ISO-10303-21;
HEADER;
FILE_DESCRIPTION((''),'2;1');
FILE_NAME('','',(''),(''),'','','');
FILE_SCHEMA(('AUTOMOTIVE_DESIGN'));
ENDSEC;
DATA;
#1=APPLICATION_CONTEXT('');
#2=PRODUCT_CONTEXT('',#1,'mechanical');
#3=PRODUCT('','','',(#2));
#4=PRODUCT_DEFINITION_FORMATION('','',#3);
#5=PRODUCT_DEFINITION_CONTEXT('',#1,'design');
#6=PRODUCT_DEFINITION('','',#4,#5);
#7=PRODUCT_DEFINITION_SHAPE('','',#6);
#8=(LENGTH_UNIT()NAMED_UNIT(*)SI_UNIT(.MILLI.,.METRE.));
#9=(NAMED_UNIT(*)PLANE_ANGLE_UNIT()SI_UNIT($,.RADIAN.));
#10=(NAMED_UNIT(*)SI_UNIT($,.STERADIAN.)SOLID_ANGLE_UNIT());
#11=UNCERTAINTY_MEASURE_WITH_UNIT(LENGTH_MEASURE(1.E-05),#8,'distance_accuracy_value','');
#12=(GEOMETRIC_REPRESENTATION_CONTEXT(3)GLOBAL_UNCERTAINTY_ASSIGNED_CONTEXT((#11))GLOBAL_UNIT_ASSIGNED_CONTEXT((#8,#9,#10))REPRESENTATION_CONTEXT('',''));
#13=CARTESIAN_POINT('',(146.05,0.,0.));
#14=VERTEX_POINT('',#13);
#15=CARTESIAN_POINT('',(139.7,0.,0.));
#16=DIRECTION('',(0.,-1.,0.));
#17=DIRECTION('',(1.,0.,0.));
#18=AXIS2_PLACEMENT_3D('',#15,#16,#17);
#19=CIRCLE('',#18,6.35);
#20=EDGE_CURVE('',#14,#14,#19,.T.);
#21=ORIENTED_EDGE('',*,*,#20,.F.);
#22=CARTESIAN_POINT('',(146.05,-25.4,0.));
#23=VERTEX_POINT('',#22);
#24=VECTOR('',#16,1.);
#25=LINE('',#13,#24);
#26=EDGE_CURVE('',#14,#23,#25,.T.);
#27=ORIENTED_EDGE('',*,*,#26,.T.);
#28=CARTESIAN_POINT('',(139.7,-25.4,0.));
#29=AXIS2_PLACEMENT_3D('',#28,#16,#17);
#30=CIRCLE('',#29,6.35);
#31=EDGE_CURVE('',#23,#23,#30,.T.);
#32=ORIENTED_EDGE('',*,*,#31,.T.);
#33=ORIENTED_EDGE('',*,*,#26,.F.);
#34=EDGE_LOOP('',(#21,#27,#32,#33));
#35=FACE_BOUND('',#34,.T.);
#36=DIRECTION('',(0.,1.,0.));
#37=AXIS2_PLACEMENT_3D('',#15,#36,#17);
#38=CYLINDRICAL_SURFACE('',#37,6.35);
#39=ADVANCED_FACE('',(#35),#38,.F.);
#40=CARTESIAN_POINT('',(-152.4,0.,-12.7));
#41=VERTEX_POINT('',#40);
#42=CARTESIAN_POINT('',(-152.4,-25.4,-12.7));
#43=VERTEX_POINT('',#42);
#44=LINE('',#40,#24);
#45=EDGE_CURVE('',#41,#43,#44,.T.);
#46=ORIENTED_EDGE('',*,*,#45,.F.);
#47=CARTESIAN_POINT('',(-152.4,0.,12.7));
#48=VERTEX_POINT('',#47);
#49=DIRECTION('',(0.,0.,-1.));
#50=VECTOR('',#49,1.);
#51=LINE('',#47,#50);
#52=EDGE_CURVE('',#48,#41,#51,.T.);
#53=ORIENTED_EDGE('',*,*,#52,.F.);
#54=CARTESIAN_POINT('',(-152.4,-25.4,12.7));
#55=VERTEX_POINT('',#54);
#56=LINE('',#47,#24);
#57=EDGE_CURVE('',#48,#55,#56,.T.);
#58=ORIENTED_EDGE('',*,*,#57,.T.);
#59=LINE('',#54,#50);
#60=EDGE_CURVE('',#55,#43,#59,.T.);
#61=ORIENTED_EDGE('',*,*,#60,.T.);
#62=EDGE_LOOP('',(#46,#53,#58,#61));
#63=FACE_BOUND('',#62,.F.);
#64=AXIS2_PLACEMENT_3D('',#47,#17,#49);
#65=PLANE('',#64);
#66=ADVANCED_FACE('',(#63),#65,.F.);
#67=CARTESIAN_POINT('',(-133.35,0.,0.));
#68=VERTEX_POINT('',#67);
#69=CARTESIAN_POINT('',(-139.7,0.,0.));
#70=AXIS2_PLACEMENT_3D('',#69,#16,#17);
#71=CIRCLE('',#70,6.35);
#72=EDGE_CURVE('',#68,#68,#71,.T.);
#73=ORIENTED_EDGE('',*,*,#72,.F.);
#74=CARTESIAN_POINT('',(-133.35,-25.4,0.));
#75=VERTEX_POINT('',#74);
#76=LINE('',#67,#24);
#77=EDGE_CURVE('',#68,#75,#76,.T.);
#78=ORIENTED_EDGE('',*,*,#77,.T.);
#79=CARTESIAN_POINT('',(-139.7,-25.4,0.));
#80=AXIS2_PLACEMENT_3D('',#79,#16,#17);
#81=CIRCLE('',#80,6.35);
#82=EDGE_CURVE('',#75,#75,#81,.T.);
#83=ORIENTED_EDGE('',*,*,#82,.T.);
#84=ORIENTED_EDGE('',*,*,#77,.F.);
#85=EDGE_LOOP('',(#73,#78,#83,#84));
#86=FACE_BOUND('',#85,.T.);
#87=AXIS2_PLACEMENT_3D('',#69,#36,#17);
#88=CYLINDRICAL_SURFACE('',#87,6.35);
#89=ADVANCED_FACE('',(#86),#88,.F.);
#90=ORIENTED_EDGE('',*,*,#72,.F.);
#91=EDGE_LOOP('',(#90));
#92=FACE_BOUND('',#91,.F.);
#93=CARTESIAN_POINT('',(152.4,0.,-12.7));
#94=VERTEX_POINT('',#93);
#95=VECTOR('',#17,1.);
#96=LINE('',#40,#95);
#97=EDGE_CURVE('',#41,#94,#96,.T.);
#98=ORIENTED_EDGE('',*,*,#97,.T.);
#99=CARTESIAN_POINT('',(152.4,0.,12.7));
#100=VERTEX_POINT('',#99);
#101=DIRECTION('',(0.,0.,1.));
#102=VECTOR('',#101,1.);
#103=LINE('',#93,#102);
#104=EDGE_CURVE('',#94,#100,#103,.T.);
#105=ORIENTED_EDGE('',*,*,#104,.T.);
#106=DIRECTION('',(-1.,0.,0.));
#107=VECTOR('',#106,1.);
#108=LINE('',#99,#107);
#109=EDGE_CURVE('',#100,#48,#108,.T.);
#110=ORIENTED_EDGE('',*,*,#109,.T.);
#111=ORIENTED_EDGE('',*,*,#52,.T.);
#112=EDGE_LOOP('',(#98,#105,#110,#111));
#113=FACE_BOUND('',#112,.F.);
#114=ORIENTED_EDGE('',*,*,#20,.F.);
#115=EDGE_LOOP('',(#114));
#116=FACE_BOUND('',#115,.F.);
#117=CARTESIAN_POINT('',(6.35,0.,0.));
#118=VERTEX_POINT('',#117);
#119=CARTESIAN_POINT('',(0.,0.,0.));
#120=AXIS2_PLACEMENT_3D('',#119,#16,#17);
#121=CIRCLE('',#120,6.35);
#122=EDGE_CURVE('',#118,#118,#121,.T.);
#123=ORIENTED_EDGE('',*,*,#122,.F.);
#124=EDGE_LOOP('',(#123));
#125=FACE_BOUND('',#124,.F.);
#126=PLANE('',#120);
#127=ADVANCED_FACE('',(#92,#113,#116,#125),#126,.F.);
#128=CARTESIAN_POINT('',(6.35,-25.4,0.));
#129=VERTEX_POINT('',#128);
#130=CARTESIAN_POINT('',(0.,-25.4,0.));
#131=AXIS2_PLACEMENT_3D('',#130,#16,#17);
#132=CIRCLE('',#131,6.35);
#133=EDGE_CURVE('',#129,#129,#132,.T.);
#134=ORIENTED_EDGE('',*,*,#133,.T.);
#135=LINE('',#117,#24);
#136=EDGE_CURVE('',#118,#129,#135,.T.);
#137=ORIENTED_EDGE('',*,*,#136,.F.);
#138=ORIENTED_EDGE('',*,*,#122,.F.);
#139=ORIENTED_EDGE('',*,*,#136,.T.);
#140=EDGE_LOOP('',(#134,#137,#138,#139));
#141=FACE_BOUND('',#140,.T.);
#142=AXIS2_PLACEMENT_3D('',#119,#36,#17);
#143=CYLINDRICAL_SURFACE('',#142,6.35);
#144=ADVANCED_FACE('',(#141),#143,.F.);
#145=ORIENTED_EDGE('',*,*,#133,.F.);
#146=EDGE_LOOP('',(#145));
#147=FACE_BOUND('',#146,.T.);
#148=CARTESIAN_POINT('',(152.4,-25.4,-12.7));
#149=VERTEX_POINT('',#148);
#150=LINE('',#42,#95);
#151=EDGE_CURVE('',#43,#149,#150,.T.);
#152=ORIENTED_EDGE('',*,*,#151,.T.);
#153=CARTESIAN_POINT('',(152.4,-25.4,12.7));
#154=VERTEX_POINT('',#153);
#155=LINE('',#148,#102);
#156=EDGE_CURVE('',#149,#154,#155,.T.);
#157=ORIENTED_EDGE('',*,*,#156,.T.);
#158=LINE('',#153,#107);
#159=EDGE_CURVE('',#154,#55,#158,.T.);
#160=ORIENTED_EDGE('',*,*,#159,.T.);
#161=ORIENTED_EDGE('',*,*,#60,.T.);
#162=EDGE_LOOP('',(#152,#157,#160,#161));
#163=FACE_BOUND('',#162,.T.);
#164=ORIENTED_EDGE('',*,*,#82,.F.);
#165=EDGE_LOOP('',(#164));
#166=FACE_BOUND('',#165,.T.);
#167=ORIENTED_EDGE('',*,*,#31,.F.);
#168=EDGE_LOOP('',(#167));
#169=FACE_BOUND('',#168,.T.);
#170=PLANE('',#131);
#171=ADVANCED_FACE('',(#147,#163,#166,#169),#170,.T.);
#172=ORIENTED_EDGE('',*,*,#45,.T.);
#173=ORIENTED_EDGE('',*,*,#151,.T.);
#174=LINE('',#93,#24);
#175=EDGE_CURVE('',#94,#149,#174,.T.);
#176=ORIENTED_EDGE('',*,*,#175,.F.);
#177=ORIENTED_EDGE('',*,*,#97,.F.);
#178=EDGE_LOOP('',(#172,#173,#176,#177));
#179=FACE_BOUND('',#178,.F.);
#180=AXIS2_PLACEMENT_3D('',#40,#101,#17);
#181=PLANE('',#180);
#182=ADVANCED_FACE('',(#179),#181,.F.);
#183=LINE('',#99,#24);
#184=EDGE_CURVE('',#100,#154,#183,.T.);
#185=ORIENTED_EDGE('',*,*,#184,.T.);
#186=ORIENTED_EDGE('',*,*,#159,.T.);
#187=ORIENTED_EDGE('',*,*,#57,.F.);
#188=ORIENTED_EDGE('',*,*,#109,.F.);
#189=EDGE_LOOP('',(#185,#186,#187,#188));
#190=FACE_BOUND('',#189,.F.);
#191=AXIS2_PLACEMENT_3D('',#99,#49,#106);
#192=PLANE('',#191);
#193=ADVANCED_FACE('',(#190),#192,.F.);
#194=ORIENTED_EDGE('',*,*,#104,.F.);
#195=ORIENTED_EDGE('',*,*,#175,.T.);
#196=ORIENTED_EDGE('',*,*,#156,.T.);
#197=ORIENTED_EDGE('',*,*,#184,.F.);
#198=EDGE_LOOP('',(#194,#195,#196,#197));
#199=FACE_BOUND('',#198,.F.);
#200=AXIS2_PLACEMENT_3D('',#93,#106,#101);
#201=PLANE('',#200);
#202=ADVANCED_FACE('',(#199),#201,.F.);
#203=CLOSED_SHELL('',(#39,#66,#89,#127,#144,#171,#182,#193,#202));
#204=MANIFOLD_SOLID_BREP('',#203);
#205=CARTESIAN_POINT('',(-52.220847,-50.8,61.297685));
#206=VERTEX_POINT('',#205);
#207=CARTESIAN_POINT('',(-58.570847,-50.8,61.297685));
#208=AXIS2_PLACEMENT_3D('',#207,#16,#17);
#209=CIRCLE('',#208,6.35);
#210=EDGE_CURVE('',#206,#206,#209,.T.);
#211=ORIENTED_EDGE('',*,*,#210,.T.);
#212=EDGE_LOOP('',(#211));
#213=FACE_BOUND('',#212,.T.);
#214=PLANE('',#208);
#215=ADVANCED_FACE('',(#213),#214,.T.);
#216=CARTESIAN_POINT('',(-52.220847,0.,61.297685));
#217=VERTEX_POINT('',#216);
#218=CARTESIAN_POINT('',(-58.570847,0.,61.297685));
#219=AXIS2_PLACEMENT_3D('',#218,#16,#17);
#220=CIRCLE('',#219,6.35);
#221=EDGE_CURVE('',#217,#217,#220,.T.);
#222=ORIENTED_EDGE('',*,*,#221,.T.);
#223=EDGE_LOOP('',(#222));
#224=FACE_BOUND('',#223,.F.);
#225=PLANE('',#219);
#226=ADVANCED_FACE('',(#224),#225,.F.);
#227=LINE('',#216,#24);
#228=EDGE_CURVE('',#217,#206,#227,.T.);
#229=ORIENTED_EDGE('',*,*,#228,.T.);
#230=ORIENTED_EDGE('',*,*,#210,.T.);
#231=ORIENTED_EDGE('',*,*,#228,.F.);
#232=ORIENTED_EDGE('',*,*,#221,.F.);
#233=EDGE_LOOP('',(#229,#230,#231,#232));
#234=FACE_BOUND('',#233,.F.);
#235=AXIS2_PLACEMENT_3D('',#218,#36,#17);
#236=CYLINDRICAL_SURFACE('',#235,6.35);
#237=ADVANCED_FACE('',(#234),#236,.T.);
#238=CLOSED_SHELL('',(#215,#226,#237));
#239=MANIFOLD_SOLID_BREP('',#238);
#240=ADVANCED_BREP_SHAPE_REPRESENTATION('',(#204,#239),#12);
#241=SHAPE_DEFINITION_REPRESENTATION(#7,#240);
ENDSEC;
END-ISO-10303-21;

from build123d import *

# Parameters (mm, degrees)
F0_R     = 6.35
F1_DEPTH = 25.4
F2_R     = 6.35
F3_DEPTH = 50.8


with BuildPart() as f1:
    # F0 (on Front) → F1 (new body)
    with BuildSketch(Plane.XZ):
        Polygon((0, 12.7), (-152.4, 12.7), (-152.4, -12.7), (152.4, -12.7), (152.4, 12.7), align=None)
        with Locations((-139.7, 0)):
            Circle(F0_R, mode=Mode.SUBTRACT)
        Circle(F0_R, mode=Mode.SUBTRACT)
        with Locations((139.7, 0)):
            Circle(F0_R, mode=Mode.SUBTRACT)
    extrude(amount=F1_DEPTH)


with BuildPart() as f3:
    # F2 (on Front) → F3 (new body)
    with BuildSketch(Plane.XZ):
        with Locations((-58.570847, 61.297685)):
            Circle(F2_R)
    extrude(amount=F3_DEPTH)


solid = Compound([f1.part, f3.part])
